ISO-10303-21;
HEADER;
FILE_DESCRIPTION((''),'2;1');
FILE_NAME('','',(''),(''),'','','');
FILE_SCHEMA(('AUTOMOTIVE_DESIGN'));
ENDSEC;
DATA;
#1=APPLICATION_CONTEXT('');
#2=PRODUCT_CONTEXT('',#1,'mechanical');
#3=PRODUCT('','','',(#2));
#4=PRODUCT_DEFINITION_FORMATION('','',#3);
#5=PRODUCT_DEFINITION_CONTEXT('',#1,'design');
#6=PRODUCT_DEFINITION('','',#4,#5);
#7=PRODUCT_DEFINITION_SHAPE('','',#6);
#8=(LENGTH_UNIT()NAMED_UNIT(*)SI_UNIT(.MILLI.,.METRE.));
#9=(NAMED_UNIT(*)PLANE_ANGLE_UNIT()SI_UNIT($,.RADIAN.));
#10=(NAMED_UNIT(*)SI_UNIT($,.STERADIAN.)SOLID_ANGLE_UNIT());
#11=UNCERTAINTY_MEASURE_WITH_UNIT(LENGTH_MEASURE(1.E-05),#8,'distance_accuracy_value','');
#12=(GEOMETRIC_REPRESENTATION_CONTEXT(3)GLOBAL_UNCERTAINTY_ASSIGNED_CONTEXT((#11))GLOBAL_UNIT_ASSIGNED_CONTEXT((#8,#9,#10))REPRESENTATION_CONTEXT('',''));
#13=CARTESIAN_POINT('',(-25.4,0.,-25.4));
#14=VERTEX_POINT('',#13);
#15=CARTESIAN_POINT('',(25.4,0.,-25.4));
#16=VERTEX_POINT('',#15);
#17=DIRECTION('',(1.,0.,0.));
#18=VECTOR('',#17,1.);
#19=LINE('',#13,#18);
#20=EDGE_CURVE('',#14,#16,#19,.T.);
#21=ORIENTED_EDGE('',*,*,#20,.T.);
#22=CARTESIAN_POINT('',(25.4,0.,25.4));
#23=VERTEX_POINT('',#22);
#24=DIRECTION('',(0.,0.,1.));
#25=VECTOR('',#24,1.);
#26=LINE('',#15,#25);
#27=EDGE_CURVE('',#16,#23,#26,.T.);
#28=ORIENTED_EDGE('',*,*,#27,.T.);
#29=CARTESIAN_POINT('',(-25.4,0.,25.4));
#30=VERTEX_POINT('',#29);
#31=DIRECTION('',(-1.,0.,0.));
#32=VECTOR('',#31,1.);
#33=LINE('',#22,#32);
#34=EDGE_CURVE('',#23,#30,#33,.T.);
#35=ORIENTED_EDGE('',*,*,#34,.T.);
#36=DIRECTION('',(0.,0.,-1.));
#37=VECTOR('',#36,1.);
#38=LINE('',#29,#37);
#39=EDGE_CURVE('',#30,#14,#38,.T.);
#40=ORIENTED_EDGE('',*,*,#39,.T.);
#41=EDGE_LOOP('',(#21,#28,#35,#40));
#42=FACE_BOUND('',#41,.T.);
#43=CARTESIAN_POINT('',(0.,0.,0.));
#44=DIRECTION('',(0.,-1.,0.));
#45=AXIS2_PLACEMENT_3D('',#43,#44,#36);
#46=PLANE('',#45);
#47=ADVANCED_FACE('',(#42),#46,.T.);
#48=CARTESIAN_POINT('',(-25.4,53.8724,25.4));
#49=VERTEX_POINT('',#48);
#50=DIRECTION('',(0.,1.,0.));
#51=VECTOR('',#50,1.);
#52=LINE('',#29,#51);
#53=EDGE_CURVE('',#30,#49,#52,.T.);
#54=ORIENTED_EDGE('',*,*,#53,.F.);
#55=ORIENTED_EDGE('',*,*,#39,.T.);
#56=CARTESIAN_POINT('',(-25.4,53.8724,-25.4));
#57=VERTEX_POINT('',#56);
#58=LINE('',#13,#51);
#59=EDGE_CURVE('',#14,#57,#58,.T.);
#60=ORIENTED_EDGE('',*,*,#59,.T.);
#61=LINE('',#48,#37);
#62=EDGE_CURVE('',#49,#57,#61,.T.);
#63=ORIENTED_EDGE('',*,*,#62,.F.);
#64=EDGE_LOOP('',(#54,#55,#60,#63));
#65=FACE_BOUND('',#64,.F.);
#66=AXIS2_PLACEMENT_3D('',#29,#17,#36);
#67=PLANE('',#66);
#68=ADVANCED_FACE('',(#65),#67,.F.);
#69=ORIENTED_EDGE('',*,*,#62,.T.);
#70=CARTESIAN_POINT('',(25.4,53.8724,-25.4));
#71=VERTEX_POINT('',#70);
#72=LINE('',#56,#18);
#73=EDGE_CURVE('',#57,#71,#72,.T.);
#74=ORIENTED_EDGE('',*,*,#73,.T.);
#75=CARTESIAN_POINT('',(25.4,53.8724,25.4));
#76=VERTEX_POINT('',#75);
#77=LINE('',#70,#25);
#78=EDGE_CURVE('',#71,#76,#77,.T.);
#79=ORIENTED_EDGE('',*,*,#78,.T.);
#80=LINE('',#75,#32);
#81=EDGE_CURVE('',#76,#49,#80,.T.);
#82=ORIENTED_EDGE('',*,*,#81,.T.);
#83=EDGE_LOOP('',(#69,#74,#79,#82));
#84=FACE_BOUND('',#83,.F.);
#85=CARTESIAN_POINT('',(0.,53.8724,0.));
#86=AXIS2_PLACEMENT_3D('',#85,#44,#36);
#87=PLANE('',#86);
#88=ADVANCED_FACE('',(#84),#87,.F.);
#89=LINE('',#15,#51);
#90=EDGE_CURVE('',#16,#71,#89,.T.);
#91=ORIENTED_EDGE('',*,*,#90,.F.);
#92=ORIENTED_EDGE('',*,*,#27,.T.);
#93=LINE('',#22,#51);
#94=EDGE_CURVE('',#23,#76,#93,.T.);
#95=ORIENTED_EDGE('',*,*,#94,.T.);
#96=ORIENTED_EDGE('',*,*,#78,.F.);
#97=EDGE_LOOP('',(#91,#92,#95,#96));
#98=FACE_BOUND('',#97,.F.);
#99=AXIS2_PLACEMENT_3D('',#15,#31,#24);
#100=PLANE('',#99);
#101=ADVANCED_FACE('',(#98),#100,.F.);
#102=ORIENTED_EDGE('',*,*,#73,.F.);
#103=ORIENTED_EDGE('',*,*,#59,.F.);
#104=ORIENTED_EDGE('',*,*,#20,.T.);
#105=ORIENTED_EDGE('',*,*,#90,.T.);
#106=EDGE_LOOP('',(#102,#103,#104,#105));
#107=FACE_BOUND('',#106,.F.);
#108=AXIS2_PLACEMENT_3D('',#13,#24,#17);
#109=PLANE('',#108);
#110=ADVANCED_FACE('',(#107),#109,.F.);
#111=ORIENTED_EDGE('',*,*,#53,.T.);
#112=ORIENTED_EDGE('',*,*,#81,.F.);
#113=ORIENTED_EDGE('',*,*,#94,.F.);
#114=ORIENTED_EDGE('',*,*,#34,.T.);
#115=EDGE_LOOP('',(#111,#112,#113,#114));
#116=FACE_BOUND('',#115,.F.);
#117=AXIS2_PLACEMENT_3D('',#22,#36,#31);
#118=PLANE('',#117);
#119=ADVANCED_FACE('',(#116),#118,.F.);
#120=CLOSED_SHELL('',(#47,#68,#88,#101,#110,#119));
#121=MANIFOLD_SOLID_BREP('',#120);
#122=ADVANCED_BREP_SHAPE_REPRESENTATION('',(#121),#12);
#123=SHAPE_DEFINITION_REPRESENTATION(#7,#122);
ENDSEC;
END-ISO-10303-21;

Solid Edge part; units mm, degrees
sketch "Sketch1" plane through (0, 0, 0) normal (1, 0, 0) x (0, 1, 0)
  line L0 (0, 0) -> (53.8724, 0)
sketch "Sketch2" plane through (0, 0, 0) normal (0, -1, 0) x (1, 0, 0)
  line L0 (25.4, -25.4) -> (25.4, 25.4)
  line L1 (25.4, 25.4) -> (-25.4, 25.4)
  line L2 (-25.4, 25.4) -> (-25.4, -25.4)
  line L3 (-25.4, -25.4) -> (25.4, -25.4)
  dimension "D1" = 50.8
sweep "Protrusion_1" add profiles "Sketch2" path "Sketch1"
